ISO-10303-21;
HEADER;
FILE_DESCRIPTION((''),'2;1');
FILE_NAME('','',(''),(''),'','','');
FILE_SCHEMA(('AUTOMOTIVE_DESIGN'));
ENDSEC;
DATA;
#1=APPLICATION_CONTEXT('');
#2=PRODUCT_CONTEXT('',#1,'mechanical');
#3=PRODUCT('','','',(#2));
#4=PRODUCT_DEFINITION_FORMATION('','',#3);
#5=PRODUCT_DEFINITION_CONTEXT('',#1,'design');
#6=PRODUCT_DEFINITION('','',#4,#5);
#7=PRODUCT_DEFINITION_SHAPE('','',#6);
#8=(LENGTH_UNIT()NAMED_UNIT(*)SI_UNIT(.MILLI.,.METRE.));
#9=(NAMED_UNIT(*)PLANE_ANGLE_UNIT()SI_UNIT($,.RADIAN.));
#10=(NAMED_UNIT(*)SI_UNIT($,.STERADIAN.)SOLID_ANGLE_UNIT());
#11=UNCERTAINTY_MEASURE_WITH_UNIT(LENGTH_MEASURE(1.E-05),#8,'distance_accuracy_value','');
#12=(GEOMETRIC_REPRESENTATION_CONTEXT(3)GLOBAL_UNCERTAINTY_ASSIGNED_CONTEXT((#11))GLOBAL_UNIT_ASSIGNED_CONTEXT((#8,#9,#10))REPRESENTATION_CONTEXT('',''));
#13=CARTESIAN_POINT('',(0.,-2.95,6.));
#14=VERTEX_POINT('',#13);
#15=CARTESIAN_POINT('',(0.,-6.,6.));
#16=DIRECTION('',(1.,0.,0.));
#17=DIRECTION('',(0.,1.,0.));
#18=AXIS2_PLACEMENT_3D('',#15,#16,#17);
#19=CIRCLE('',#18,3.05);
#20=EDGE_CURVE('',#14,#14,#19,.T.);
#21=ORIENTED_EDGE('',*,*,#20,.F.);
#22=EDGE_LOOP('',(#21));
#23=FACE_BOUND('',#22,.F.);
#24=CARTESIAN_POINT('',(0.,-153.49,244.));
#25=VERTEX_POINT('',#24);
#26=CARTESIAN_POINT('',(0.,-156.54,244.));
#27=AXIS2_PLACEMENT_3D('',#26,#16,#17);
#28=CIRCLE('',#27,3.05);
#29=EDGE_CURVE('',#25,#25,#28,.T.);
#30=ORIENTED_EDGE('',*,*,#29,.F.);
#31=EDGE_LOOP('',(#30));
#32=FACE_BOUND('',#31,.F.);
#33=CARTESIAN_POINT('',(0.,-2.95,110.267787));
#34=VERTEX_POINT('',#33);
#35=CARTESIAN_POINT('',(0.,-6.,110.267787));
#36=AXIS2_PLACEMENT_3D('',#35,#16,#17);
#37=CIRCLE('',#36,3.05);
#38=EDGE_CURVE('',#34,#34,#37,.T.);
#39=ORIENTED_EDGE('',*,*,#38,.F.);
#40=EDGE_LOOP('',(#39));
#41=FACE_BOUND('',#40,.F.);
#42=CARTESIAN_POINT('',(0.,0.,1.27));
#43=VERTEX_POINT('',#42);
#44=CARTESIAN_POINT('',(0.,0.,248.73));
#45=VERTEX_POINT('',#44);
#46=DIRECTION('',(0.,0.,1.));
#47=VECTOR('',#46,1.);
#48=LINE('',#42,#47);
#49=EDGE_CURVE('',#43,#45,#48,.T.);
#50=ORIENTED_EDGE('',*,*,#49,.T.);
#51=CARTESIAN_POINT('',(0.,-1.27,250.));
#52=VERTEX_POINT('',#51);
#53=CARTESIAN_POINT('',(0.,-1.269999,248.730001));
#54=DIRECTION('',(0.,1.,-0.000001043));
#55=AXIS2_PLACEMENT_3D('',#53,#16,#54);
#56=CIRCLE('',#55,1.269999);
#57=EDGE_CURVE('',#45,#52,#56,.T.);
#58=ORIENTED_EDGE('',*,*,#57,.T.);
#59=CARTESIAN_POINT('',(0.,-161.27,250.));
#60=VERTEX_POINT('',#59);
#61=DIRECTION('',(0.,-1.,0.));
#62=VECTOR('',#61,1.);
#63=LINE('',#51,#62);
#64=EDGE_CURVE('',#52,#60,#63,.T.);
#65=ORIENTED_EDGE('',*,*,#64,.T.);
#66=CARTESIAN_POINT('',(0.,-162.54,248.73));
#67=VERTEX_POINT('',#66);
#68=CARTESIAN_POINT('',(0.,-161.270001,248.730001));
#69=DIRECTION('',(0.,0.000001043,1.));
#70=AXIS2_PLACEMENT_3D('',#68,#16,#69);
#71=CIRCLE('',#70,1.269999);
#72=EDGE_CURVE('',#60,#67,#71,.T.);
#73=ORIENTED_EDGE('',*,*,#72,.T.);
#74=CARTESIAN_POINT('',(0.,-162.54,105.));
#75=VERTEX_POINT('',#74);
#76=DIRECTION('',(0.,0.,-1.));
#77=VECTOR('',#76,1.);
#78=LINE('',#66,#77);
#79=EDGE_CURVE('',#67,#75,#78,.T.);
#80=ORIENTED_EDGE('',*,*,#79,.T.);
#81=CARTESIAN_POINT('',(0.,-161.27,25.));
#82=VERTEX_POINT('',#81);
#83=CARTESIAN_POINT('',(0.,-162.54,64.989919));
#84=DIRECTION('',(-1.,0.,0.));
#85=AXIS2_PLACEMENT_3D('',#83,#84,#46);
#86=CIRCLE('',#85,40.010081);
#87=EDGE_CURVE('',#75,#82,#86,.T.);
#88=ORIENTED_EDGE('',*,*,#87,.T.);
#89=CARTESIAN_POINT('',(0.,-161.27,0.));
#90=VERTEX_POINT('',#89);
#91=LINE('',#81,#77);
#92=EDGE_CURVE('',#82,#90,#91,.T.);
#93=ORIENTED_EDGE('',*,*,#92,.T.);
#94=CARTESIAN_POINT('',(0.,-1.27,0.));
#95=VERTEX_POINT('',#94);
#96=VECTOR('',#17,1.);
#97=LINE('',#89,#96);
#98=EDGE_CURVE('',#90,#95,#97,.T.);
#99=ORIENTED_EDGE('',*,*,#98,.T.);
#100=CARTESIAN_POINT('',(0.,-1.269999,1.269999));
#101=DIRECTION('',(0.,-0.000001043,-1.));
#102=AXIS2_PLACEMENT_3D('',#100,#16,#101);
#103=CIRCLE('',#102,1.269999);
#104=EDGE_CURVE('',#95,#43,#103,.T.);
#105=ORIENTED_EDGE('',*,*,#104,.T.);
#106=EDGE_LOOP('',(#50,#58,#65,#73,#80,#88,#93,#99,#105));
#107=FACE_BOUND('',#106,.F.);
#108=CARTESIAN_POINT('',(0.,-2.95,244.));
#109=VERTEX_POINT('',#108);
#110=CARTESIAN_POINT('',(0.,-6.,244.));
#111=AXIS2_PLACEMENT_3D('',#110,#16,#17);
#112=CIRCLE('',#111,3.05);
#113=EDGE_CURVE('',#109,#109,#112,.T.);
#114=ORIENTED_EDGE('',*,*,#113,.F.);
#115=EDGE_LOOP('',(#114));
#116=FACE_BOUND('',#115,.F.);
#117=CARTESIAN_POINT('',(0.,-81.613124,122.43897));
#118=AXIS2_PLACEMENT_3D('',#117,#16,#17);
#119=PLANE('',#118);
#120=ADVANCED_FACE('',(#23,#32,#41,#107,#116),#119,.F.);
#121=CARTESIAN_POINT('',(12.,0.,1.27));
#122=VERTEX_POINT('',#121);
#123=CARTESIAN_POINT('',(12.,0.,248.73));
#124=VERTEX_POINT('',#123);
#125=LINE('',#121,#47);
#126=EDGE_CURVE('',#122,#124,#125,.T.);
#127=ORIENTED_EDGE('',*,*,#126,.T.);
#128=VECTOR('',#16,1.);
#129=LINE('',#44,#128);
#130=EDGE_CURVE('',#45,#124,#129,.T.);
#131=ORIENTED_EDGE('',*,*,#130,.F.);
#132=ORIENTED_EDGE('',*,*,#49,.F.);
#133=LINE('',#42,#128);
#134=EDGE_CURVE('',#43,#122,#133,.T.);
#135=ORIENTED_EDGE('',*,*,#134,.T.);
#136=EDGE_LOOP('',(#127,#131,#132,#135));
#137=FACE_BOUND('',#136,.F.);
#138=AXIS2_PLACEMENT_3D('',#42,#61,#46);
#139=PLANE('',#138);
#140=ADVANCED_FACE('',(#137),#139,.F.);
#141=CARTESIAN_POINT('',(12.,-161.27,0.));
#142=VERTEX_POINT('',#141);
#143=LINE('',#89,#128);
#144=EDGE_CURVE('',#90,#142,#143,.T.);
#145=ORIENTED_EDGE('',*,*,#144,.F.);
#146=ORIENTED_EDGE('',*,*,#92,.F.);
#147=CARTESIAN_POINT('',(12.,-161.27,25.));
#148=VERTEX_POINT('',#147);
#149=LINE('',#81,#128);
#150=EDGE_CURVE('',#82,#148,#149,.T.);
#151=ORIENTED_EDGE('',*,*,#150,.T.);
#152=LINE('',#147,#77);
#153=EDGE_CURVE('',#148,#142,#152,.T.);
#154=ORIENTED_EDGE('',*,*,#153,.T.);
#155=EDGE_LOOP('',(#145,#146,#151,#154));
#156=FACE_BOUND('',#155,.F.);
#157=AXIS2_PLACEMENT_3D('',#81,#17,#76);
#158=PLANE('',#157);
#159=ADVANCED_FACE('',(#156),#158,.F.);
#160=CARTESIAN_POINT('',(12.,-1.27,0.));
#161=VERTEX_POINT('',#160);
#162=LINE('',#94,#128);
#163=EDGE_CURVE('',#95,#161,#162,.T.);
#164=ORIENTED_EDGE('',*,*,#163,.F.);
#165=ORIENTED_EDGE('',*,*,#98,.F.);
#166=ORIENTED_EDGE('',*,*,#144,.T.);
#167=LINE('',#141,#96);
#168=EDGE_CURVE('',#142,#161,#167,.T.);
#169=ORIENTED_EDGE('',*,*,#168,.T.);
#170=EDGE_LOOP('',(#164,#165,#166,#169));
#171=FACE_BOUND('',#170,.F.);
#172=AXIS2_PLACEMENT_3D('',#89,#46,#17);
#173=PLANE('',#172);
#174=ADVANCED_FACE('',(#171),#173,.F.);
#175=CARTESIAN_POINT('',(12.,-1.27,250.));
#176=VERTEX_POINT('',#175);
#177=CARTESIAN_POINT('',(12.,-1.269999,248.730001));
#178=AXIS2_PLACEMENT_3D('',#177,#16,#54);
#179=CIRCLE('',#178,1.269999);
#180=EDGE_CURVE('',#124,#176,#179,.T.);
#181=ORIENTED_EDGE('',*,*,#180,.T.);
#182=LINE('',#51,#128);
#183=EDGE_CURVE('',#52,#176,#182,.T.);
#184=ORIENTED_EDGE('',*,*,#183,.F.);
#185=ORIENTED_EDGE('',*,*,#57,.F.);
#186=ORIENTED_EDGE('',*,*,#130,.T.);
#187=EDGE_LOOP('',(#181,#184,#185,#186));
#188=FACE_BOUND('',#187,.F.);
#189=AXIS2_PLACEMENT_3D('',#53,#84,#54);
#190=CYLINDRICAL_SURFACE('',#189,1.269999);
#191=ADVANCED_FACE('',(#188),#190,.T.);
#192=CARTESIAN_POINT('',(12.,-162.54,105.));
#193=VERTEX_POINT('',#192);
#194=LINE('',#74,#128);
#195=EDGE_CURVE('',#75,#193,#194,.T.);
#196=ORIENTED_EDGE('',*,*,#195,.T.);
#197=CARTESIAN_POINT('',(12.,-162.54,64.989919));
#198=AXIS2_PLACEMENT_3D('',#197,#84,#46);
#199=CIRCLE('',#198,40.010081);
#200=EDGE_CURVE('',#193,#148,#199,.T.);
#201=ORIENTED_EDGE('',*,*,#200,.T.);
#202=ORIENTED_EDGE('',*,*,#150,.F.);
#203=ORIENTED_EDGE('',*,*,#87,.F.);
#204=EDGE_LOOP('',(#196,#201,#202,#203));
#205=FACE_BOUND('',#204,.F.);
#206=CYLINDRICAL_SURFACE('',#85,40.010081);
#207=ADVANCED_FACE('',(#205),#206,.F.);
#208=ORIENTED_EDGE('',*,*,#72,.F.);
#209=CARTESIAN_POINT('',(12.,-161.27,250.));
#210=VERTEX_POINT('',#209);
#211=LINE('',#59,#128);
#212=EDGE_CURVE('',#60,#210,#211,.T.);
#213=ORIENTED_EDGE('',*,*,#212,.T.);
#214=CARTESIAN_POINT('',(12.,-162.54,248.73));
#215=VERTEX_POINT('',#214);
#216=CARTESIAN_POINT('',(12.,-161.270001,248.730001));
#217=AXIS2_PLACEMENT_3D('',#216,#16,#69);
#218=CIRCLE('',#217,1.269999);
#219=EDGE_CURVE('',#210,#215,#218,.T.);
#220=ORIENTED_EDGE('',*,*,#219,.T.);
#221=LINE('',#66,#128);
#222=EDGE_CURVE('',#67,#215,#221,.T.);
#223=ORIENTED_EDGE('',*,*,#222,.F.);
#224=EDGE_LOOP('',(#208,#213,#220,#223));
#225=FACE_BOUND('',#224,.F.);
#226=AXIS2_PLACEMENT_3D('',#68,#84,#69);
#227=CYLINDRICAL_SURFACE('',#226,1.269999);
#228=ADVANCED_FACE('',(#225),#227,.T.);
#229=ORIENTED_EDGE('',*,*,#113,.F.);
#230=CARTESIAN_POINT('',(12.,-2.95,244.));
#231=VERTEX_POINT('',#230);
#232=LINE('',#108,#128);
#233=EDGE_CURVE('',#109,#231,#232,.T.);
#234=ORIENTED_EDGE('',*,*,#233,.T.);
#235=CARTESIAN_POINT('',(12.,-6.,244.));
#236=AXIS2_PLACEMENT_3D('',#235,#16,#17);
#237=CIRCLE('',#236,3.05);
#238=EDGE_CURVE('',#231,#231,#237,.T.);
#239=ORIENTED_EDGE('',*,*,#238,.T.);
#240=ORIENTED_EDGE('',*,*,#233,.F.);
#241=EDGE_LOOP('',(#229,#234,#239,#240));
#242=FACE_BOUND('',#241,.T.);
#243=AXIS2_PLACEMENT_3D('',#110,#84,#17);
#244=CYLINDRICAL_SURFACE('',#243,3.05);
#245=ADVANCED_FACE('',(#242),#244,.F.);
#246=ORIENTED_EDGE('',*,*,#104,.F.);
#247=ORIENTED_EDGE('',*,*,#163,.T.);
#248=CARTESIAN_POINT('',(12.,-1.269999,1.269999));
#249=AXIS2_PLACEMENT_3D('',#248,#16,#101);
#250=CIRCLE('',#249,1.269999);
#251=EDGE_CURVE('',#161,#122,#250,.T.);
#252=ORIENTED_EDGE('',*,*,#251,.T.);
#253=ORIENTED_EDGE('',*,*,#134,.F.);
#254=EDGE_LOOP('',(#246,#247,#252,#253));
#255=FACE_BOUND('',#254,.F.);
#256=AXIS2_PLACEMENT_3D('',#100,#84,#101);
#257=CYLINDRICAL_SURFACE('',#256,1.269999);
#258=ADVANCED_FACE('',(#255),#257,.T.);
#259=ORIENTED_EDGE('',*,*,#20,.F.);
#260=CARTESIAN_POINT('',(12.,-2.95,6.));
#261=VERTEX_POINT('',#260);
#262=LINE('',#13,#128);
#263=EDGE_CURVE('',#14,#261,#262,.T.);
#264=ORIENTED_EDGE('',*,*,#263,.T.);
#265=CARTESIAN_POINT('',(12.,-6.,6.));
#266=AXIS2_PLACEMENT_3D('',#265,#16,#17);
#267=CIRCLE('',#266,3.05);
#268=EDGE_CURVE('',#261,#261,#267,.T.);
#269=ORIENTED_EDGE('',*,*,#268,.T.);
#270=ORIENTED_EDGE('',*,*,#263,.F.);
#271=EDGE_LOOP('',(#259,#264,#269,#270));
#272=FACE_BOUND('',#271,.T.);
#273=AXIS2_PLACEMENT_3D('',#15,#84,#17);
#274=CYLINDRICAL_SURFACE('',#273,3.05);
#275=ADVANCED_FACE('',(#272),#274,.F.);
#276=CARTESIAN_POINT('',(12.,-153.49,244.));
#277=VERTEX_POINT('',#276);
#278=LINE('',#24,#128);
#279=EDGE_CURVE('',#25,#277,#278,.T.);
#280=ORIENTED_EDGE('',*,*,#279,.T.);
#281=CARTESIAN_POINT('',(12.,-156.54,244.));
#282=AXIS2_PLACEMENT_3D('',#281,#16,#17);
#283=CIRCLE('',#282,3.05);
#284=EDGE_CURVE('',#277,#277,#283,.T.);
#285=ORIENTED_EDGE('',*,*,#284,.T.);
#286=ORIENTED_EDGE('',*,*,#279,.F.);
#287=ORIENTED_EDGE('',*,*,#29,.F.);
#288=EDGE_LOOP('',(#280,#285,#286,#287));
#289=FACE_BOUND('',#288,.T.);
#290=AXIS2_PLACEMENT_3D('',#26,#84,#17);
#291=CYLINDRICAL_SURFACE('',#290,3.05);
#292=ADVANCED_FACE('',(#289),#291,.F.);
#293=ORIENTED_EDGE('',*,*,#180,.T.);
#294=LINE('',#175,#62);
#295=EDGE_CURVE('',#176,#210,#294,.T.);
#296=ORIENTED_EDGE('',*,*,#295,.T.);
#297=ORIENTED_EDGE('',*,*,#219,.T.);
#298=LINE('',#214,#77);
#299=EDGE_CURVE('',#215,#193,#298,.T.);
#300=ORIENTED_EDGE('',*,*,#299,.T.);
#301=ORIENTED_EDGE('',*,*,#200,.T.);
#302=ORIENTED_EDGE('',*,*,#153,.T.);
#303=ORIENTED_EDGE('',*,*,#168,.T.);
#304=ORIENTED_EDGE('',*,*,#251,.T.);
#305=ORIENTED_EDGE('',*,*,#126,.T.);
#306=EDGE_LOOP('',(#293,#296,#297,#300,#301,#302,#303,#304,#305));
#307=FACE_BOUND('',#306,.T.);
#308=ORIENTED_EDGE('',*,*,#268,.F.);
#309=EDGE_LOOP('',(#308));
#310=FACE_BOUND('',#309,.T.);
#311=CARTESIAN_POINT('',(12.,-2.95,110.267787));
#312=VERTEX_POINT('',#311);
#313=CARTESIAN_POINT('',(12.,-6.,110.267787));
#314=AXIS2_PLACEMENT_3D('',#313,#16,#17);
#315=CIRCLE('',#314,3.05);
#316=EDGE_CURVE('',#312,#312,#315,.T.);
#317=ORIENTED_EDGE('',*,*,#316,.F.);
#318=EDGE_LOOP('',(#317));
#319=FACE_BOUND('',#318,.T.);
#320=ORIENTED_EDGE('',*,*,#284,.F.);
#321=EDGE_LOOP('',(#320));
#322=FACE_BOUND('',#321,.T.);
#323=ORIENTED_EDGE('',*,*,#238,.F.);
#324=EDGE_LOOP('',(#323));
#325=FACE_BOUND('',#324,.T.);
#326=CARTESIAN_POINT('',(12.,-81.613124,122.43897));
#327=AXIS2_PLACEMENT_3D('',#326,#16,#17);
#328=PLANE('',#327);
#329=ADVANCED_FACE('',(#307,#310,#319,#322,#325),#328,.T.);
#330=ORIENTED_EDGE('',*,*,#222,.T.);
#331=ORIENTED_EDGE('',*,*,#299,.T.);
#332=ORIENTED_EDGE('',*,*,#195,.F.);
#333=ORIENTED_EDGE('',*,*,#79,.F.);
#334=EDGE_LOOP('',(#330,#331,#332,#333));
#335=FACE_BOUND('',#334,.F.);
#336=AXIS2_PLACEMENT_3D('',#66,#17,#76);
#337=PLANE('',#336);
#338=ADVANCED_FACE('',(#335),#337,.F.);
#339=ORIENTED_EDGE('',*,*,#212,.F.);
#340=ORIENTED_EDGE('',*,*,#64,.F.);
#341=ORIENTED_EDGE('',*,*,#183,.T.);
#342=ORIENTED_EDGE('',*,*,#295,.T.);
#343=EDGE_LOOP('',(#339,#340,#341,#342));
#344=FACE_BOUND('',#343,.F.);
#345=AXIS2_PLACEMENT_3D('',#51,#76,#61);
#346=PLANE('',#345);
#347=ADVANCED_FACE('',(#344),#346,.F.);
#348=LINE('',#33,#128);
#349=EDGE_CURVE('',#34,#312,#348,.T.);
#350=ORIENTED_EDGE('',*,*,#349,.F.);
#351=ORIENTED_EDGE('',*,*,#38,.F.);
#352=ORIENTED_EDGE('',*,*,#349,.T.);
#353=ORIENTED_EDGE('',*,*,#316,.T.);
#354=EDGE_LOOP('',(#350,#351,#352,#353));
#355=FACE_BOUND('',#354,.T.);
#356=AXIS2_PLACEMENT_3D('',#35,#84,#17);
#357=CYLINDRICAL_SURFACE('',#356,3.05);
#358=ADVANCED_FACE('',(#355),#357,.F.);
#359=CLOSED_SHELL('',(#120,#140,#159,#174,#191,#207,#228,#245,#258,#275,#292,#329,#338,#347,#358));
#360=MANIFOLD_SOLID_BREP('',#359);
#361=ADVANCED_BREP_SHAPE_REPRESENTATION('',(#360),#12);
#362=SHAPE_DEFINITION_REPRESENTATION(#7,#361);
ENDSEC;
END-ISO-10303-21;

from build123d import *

# Parameters (mm, degrees)
F0_R     = 3.05
F1_DEPTH = 12


with BuildPart() as f1:
    # F0 (on Right) → F1 (new body)
    with BuildSketch(Plane.YZ):
        with BuildLine():
            Line((-161.27, 0), (-1.27, 0))
            ThreePointArc((-1.27, 0), (-0.371974, 0.371974), (0, 1.27))
            Line((0, 1.27), (0, 248.73))
            ThreePointArc((0, 248.73), (-0.371974, 249.628026), (-1.27, 250))
            Line((-1.27, 250), (-161.27, 250))
            ThreePointArc((-161.27, 250), (-162.168026, 249.628026), (-162.54, 248.73))
            Line((-162.54, 248.73), (-162.54, 105))
            ThreePointArc((-162.54, 105), (-122.53496, 65.624999), (-161.27, 25))
            Line((-161.27, 25), (-161.27, 0))
        make_face()
        with Locations((-6, 6)):
            Circle(F0_R, mode=Mode.SUBTRACT)
        with Locations((-6, 110.267787)):
            Circle(F0_R, mode=Mode.SUBTRACT)
        with Locations((-156.54, 244)):
            Circle(F0_R, mode=Mode.SUBTRACT)
        with Locations((-6, 244)):
            Circle(F0_R, mode=Mode.SUBTRACT)
    extrude(amount=F1_DEPTH)


solid = f1.part
